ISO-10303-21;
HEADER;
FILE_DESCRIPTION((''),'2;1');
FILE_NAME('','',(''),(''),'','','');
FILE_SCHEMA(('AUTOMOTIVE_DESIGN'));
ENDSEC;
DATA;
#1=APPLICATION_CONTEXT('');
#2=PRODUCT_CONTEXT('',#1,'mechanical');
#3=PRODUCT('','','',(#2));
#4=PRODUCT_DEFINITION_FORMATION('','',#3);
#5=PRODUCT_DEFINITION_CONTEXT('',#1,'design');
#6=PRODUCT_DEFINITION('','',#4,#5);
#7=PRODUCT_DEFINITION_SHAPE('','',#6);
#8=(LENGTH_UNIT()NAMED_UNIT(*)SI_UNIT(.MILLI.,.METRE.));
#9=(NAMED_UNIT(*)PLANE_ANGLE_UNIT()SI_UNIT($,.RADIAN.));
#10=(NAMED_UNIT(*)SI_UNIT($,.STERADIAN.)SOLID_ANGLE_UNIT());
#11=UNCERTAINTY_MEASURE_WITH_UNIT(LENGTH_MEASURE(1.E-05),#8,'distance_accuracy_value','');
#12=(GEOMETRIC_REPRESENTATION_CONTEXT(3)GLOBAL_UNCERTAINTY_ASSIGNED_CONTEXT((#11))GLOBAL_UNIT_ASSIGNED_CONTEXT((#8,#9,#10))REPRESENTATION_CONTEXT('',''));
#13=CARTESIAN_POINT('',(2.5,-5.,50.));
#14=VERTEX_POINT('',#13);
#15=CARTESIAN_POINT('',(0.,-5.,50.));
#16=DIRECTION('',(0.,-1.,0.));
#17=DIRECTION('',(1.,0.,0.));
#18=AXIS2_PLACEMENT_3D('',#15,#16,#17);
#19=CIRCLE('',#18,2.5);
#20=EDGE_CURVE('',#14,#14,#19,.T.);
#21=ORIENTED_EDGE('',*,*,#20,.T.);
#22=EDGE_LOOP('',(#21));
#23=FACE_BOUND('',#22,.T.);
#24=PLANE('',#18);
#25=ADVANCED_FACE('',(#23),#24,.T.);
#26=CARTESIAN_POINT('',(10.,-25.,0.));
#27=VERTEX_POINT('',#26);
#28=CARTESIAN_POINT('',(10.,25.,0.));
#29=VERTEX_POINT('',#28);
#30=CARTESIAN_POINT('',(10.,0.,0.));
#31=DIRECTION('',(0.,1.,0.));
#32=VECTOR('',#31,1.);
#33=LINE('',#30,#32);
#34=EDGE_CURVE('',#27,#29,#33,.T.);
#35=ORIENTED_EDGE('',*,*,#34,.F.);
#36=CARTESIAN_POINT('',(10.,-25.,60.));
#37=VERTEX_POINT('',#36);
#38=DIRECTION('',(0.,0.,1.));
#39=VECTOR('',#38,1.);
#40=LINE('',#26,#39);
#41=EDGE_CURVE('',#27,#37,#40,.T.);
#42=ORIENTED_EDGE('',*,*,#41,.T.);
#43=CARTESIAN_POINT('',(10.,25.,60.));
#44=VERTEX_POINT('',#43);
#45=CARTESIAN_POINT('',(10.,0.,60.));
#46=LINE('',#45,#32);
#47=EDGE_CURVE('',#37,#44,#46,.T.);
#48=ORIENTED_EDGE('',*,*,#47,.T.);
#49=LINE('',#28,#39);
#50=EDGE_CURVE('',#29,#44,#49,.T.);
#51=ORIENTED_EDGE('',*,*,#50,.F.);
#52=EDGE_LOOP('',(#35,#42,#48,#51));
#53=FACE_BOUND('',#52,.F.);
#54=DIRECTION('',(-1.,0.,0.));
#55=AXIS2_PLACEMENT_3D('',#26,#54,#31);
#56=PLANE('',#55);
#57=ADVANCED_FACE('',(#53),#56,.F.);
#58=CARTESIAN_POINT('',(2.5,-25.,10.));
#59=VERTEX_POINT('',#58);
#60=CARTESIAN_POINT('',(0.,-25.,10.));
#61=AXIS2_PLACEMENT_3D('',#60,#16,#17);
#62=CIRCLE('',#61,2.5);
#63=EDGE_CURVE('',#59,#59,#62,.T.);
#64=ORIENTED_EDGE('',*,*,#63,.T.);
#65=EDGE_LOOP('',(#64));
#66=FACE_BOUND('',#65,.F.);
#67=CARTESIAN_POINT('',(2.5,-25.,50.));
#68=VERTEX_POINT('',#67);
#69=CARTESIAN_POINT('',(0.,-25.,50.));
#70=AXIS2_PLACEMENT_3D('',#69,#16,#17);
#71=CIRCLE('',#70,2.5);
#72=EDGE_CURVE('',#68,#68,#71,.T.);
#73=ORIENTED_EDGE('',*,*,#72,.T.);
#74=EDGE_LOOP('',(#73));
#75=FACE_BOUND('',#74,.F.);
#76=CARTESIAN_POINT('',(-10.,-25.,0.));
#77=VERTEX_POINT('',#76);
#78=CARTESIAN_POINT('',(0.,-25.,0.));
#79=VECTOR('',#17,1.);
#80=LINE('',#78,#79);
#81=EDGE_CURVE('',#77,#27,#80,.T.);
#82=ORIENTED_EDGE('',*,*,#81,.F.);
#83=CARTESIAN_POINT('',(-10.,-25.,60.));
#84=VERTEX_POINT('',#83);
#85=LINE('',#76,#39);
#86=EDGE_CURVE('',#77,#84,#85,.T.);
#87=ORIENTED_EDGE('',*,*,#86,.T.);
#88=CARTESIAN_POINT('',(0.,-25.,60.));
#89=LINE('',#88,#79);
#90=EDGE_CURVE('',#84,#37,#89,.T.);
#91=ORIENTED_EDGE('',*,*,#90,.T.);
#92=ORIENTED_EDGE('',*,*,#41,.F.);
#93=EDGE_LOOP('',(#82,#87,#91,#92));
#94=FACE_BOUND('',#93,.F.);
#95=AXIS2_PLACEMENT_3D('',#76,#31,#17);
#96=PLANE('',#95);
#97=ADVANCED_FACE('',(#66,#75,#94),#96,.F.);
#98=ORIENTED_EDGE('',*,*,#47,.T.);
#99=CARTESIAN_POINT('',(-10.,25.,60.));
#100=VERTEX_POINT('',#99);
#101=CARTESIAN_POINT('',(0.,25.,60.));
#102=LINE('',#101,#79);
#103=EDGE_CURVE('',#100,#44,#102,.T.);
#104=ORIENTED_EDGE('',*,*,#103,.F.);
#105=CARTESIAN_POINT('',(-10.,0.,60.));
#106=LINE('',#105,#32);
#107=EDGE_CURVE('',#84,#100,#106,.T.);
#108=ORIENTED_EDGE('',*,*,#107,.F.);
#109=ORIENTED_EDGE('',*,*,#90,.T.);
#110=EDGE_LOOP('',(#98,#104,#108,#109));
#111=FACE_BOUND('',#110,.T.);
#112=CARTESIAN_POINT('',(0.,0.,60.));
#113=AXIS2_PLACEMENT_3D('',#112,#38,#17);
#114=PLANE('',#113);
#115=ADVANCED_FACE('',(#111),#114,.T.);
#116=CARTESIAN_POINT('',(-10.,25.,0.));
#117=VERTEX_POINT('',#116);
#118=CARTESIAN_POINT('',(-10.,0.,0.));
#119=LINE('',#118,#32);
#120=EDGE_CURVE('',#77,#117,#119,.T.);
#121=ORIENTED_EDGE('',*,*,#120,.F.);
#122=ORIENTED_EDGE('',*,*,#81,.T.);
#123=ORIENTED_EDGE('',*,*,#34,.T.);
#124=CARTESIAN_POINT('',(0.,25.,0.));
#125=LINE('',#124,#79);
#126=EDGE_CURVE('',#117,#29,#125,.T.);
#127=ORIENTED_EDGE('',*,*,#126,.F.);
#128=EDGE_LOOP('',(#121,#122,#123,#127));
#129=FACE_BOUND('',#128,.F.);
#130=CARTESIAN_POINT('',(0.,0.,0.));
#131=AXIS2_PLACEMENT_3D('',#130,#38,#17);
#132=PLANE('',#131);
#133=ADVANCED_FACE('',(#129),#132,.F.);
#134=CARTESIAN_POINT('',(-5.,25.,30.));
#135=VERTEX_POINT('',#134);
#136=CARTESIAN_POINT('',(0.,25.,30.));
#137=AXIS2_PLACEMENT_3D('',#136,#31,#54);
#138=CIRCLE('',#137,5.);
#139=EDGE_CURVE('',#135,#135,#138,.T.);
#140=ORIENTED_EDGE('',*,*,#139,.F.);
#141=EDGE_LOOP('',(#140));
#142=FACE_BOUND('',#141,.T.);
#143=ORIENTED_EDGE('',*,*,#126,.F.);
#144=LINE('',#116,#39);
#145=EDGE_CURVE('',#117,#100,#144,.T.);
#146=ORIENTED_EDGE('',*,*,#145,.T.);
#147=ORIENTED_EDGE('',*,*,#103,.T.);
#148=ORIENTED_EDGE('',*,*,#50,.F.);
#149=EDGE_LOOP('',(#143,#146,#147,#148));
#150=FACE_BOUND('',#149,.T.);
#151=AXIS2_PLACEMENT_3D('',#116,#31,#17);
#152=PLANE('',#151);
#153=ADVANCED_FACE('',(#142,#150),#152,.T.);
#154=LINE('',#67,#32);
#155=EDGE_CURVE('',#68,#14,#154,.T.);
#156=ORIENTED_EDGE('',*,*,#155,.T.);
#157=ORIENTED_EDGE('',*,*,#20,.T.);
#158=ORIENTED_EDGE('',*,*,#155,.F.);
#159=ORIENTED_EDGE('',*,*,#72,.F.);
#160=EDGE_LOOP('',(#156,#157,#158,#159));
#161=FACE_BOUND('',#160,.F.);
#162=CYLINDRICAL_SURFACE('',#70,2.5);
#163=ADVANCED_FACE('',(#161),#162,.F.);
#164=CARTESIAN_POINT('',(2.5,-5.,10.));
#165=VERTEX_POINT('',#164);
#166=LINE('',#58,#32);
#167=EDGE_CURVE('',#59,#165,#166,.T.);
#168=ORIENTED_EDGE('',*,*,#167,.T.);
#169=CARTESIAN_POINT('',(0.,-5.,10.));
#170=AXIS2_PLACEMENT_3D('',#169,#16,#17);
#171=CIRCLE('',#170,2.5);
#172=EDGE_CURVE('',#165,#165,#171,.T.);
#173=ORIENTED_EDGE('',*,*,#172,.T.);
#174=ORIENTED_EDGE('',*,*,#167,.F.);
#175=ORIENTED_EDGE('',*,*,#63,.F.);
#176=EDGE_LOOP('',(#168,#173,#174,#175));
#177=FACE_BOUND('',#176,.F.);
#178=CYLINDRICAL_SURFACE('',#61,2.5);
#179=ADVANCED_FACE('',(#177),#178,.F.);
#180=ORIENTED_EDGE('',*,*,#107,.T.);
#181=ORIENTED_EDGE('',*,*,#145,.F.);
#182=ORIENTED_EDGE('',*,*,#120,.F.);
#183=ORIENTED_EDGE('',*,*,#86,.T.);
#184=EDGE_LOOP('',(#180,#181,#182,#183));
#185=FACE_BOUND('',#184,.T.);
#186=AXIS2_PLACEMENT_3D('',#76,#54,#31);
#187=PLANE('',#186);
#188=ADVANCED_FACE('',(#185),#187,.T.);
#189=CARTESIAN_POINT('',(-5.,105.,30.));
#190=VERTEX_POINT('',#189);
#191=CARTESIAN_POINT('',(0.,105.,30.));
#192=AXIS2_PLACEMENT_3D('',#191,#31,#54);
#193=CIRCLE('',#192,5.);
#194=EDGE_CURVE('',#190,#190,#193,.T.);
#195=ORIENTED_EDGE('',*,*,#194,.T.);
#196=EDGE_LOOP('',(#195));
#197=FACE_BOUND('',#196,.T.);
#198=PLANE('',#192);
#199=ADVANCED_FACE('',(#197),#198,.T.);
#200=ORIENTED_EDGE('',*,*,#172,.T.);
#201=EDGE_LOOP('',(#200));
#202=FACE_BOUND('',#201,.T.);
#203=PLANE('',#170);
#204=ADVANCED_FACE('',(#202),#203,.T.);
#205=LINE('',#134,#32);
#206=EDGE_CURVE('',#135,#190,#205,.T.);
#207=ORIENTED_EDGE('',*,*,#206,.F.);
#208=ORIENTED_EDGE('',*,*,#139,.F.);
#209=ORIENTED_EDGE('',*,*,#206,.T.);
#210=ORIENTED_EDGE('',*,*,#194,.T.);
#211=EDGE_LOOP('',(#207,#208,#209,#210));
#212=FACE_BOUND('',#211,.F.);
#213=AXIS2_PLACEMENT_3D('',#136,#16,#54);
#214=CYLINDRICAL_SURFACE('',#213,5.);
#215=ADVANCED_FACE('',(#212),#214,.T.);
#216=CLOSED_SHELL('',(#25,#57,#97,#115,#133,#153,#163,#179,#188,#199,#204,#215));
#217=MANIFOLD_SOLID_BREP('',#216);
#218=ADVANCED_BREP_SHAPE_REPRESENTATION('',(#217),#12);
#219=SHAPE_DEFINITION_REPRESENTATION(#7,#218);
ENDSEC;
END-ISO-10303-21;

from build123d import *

# Parameters (mm, degrees)
F0_W     = 20
F0_H     = 50
F1_DEPTH = 60
F2_R     = 2.5
F3_DEPTH = 20
F4_R     = 5
F5_DEPTH = 80


with BuildPart() as f1:
    # F0 (on Top) → F1 (new body)
    with BuildSketch(Plane.XY):
        Rectangle(F0_W, F0_H)
    extrude(amount=F1_DEPTH)

    # F2 (on face) → F3 (cut)
    with BuildSketch(Plane.XZ.offset(25)):
        with Locations((0, 50)):
            Circle(F2_R)
        with Locations((0, 10)):
            Circle(F2_R)
    extrude(amount=-F3_DEPTH, mode=Mode.SUBTRACT)

    # F4 (on face) → F5 (join)
    with BuildSketch(Plane(origin=(0, 25, 0), x_dir=(-1, 0, 0), z_dir=(0, 1, 0))):
        with Locations((0, 30)):
            Circle(F4_R)
    extrude(amount=F5_DEPTH)


solid = f1.part
